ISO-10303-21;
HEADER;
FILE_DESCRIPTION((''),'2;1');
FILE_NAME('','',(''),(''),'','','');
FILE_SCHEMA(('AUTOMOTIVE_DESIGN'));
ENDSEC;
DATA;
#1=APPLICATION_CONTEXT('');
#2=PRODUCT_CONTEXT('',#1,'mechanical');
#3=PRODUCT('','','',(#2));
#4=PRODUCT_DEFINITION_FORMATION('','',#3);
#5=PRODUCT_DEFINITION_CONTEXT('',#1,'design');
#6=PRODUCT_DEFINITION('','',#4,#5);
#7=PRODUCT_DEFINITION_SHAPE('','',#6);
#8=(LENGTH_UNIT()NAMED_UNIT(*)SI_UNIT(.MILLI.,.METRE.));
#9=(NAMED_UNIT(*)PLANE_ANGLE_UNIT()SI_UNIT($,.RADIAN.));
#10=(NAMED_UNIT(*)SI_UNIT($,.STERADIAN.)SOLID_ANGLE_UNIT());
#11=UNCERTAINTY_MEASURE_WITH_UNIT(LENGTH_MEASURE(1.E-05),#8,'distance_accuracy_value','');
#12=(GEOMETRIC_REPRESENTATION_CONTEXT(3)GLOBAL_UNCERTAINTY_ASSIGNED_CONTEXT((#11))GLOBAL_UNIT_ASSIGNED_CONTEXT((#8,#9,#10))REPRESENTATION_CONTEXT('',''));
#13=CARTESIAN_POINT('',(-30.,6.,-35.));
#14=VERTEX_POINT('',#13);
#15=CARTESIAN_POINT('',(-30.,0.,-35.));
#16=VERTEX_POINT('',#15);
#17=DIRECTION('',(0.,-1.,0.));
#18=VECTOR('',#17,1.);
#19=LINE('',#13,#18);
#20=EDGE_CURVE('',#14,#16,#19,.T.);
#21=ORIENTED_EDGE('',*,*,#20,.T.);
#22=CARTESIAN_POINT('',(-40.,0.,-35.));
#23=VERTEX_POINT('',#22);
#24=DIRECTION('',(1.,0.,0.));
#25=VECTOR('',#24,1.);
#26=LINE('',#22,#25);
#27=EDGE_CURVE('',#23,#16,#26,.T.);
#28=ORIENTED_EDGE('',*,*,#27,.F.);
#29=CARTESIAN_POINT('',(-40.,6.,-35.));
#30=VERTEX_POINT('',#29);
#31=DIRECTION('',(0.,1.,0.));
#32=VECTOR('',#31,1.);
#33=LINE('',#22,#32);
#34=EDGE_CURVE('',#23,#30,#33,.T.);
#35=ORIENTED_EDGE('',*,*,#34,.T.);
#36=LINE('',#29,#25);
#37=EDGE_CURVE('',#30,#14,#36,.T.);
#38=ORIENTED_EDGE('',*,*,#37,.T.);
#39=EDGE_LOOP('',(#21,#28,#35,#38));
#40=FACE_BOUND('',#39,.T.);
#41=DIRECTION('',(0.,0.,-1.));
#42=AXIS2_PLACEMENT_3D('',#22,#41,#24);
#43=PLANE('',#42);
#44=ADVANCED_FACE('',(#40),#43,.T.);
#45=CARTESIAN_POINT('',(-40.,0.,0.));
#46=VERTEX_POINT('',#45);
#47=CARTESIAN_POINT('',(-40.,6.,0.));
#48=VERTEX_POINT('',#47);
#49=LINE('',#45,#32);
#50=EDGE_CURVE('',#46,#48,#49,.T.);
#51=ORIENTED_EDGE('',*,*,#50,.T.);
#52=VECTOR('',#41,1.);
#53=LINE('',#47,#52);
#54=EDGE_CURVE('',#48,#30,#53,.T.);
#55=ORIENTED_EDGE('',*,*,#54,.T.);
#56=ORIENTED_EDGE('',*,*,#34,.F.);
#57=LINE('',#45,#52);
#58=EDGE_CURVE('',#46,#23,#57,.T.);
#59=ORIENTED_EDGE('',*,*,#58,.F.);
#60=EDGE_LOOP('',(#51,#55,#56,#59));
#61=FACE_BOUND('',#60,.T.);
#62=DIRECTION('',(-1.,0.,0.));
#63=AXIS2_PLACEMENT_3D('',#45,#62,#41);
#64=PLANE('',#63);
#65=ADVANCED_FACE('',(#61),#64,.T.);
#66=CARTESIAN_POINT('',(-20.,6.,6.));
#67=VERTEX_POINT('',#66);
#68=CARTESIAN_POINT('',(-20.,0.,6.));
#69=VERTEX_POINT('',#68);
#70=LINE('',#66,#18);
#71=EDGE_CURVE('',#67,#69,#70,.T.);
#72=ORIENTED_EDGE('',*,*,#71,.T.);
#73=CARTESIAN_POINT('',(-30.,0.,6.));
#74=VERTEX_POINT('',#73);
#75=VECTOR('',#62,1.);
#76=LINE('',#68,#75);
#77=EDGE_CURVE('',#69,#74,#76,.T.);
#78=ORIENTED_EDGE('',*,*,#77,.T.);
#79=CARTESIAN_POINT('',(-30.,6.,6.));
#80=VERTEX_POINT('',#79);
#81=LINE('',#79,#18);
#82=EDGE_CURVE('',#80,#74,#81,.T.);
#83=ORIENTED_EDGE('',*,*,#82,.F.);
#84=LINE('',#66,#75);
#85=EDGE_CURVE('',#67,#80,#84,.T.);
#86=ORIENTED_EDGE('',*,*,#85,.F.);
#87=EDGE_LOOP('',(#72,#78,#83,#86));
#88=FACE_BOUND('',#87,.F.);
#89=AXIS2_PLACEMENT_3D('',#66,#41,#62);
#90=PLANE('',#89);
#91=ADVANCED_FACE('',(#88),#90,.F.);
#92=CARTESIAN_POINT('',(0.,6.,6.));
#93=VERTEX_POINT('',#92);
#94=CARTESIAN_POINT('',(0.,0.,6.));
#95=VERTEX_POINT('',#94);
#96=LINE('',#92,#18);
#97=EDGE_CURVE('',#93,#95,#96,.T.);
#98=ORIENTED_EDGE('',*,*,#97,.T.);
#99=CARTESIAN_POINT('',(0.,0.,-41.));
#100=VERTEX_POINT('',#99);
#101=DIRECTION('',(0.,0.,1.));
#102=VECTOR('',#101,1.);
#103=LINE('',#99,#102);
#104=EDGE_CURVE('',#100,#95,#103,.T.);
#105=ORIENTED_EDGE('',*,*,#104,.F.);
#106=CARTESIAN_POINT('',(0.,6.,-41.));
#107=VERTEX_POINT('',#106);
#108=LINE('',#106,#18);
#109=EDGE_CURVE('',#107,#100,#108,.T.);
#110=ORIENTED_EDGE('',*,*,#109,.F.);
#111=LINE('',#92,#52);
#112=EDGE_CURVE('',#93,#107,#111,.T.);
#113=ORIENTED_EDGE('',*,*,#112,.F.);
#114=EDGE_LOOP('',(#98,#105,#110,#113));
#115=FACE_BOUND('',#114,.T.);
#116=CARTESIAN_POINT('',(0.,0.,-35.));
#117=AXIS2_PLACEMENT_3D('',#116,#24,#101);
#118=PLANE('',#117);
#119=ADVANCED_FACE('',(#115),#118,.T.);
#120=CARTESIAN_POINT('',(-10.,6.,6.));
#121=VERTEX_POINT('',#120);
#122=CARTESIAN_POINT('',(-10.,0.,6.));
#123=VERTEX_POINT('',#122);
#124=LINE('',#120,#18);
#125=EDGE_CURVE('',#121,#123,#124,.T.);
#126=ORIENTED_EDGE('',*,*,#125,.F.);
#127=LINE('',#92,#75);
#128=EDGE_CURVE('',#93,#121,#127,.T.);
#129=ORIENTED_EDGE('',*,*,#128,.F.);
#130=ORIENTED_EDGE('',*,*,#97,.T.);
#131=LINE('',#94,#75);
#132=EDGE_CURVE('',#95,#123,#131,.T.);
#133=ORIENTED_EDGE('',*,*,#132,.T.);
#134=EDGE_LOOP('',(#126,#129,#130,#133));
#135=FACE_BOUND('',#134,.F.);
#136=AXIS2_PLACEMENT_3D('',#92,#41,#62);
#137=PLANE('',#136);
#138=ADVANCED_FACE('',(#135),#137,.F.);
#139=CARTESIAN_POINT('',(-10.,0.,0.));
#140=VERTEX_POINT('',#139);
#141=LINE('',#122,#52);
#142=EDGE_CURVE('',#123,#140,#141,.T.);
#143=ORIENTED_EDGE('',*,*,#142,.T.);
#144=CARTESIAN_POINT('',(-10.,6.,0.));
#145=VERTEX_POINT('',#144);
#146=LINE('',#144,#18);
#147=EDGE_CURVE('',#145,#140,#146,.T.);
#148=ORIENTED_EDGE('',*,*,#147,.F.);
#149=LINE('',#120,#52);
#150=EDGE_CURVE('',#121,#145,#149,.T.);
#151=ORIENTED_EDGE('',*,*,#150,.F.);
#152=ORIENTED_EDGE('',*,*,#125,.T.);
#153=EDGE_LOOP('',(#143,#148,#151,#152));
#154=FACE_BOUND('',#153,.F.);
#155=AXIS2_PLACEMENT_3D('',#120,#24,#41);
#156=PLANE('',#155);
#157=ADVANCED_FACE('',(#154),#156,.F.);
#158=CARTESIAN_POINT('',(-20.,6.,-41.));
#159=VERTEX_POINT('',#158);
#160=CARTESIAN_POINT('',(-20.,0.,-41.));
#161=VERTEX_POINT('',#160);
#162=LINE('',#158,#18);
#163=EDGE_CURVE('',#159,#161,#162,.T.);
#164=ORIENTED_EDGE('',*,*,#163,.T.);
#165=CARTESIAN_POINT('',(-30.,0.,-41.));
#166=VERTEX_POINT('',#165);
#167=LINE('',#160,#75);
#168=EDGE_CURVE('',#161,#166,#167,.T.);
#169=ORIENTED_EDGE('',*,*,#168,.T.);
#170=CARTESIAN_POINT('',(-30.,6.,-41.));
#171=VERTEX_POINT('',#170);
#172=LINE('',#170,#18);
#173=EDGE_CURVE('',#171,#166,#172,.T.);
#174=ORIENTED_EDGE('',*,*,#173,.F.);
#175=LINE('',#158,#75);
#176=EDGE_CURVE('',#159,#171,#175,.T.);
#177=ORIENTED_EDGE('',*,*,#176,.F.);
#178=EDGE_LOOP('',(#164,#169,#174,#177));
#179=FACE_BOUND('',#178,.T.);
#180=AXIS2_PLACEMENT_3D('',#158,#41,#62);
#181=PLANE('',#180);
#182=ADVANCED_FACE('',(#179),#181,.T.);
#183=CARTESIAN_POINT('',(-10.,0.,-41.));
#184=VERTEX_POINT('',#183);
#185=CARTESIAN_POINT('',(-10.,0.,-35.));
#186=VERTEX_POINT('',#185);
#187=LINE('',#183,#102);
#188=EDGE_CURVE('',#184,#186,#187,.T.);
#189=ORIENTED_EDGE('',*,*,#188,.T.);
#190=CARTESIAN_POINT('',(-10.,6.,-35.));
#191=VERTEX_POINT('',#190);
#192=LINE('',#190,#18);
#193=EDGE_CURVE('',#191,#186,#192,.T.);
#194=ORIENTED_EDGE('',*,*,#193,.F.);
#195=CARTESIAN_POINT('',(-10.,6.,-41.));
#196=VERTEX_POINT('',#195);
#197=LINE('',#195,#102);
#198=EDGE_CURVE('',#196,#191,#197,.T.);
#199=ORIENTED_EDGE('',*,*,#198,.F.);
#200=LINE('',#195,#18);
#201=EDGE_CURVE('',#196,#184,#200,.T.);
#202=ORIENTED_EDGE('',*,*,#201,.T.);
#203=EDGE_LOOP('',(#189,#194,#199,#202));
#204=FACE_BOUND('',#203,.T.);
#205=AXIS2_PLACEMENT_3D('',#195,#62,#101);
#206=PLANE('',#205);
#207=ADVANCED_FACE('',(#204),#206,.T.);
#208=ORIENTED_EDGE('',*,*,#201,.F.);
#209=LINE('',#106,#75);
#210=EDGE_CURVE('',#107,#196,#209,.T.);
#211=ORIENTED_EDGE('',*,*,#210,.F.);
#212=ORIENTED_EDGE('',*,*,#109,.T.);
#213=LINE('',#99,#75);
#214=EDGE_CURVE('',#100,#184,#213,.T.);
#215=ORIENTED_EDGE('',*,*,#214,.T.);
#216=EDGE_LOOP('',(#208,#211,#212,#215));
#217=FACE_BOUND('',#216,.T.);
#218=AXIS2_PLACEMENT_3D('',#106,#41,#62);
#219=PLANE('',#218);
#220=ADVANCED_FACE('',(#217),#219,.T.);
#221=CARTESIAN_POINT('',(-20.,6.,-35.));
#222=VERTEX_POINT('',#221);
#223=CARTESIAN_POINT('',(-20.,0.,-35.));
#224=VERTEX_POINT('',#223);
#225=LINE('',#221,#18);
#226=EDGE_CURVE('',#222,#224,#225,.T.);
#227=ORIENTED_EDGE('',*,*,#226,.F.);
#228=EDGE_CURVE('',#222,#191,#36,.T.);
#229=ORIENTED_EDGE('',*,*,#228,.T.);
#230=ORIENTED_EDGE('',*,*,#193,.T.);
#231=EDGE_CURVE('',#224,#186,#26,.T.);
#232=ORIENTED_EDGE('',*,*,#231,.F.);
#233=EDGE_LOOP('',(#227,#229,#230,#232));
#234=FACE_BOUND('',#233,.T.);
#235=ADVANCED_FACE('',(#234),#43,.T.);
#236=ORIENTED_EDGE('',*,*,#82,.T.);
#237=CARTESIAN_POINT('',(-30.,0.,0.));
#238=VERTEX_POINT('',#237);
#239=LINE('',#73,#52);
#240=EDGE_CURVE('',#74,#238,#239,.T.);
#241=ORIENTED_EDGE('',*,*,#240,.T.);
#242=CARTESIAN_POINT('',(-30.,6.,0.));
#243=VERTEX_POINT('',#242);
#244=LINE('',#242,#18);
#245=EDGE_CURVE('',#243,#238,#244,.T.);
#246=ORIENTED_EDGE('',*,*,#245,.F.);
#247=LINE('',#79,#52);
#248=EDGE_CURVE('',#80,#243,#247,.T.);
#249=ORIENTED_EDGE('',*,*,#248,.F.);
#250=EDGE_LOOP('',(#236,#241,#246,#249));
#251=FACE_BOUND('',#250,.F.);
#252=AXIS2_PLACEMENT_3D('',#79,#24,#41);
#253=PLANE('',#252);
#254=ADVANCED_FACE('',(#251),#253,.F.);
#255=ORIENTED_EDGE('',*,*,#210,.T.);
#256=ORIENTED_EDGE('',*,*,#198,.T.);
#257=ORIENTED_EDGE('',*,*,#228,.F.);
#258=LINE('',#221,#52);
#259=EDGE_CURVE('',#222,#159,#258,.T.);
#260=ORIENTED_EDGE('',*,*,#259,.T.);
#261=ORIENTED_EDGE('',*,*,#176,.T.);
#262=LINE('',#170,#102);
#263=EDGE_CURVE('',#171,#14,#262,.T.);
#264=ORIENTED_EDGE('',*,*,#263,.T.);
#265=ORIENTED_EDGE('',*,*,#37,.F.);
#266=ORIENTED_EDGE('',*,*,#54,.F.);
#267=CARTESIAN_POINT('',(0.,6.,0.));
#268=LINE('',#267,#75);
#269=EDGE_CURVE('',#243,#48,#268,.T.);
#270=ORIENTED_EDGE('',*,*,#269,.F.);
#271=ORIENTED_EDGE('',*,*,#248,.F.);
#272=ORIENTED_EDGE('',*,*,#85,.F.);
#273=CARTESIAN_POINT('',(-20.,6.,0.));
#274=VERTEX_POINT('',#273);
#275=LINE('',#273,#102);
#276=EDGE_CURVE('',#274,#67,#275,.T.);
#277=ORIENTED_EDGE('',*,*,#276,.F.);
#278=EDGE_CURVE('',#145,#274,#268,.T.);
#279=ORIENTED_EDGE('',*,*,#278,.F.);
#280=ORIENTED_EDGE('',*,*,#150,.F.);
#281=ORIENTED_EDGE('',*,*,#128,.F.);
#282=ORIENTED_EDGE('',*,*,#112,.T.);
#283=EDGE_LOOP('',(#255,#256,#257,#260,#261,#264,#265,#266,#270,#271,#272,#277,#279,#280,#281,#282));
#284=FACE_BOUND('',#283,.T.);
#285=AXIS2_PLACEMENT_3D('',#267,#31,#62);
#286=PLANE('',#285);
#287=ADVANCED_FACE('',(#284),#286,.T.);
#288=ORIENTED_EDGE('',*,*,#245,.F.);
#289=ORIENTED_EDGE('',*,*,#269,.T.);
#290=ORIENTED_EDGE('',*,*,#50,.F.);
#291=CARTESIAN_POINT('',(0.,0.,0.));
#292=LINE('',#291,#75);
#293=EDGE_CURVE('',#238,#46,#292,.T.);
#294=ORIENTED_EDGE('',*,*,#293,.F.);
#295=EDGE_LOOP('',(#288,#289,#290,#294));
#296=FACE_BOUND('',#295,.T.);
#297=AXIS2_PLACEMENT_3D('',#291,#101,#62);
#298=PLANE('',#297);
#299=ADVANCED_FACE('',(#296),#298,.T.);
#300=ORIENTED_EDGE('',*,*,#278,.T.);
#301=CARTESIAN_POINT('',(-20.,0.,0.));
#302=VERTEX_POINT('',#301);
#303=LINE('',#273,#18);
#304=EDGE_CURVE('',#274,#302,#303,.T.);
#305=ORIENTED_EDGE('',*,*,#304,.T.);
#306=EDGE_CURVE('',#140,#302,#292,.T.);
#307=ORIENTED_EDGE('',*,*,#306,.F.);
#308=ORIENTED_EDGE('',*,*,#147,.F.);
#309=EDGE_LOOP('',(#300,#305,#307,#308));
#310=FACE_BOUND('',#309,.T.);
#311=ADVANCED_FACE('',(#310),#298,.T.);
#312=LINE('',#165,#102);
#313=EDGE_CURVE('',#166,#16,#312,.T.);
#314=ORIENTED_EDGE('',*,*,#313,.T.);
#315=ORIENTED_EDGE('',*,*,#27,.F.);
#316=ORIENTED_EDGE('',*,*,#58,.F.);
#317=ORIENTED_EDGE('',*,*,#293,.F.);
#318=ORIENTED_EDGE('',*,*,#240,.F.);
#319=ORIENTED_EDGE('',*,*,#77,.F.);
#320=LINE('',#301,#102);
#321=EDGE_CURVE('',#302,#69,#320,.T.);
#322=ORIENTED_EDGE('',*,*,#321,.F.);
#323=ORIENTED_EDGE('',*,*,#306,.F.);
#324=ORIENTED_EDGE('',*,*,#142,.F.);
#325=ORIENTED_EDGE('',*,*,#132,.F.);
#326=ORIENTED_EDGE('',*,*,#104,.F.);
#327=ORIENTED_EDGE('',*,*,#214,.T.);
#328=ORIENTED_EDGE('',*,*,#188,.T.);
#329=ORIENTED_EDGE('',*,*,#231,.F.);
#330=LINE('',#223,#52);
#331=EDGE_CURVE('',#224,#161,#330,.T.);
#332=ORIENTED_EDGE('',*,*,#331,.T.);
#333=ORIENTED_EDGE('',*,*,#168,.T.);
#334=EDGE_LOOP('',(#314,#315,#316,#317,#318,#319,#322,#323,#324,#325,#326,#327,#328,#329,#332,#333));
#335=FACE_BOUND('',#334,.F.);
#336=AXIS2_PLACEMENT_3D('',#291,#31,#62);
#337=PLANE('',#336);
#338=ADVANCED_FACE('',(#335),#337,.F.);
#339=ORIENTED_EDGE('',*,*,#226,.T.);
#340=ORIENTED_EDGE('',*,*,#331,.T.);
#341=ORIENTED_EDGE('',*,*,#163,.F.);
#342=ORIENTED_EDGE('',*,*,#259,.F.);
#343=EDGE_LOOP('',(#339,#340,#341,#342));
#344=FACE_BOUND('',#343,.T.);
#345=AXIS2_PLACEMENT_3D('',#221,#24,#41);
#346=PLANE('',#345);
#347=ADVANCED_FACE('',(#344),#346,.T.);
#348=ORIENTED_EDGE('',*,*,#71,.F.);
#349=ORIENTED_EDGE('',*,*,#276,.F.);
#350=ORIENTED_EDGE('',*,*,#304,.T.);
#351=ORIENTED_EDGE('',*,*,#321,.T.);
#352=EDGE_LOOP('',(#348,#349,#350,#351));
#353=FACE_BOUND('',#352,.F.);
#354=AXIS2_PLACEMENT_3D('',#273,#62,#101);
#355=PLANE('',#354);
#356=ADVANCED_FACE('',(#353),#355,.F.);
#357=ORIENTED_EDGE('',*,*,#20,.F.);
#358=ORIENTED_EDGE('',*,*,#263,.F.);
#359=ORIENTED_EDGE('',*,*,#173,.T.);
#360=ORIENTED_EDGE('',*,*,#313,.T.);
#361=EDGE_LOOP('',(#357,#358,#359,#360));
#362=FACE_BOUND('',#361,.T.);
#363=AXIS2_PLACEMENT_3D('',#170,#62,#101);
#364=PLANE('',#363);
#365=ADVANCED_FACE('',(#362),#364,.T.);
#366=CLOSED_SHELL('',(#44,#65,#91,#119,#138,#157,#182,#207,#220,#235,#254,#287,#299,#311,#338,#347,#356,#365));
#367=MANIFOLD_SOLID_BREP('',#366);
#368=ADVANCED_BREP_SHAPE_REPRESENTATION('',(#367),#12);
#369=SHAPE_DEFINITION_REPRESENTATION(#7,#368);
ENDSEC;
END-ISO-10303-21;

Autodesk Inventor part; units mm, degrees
ref_plane "YZ Plane" through (0, 0, 0) normal (1, 0, 0) x (0, 1, 0)
ref_plane "XZ Plane" through (0, 0, 0) normal (0, 1, 0) x (-1, 0, 0)
ref_plane "XY Plane" through (0, 0, 0) normal (0, 0, 1) x (1, 0, 0)
sketch "Sketch1" plane through (0, 0, 0) normal (0, 1, 0) x (-1, 0, 0)
  line L0 (0, 0) -> (40, 0)
  line L1 (40, 0) -> (40, -35)
  line L2 (40, -35) -> (0, -35)
  line L3 (0, -35) -> (0, 0)
  dimension "d0" = 40
  dimension "d1" = 35
extrude "Extrusion1" add sketch "Sketch1" along normal blind 6
sketch "Sketch2" plane through (0, 6, 0) normal (0, 1, 0) x (1, 0, 0)
  line L0 (-40, 35) -> (-40, 0) projected
  line L1 (-40, 0) -> (-30, 0)
  line L2 (-40, 0) -> (0, 0) projected
  line L3 (-30, 0) -> (-20, 0)
  line L4 (-20, 0) -> (-20, -6)
  line L5 (-20, -6) -> (-30, -6)
  line L6 (-30, -6) -> (-30, 0)
  line L7 (-30, 35) -> (-20, 35)
  line L8 (-20, 35) -> (-20, 41)
  line L9 (-20, 41) -> (-30, 41)
  line L10 (-30, 41) -> (-30, 35)
  dimension "d4" = 10
  dimension "d5" = 10
  dimension "d6" = 6
  dimension "d7" = 10
  dimension "d8" = 6
extrude "Extrusion2" add sketch "Sketch2" against normal blind 6
pattern_linear "Rectangular Pattern1" count 2 spacing 20 along (1, 0, 0) of "Extrusion2"
properties part number "e_arm holder 1"
